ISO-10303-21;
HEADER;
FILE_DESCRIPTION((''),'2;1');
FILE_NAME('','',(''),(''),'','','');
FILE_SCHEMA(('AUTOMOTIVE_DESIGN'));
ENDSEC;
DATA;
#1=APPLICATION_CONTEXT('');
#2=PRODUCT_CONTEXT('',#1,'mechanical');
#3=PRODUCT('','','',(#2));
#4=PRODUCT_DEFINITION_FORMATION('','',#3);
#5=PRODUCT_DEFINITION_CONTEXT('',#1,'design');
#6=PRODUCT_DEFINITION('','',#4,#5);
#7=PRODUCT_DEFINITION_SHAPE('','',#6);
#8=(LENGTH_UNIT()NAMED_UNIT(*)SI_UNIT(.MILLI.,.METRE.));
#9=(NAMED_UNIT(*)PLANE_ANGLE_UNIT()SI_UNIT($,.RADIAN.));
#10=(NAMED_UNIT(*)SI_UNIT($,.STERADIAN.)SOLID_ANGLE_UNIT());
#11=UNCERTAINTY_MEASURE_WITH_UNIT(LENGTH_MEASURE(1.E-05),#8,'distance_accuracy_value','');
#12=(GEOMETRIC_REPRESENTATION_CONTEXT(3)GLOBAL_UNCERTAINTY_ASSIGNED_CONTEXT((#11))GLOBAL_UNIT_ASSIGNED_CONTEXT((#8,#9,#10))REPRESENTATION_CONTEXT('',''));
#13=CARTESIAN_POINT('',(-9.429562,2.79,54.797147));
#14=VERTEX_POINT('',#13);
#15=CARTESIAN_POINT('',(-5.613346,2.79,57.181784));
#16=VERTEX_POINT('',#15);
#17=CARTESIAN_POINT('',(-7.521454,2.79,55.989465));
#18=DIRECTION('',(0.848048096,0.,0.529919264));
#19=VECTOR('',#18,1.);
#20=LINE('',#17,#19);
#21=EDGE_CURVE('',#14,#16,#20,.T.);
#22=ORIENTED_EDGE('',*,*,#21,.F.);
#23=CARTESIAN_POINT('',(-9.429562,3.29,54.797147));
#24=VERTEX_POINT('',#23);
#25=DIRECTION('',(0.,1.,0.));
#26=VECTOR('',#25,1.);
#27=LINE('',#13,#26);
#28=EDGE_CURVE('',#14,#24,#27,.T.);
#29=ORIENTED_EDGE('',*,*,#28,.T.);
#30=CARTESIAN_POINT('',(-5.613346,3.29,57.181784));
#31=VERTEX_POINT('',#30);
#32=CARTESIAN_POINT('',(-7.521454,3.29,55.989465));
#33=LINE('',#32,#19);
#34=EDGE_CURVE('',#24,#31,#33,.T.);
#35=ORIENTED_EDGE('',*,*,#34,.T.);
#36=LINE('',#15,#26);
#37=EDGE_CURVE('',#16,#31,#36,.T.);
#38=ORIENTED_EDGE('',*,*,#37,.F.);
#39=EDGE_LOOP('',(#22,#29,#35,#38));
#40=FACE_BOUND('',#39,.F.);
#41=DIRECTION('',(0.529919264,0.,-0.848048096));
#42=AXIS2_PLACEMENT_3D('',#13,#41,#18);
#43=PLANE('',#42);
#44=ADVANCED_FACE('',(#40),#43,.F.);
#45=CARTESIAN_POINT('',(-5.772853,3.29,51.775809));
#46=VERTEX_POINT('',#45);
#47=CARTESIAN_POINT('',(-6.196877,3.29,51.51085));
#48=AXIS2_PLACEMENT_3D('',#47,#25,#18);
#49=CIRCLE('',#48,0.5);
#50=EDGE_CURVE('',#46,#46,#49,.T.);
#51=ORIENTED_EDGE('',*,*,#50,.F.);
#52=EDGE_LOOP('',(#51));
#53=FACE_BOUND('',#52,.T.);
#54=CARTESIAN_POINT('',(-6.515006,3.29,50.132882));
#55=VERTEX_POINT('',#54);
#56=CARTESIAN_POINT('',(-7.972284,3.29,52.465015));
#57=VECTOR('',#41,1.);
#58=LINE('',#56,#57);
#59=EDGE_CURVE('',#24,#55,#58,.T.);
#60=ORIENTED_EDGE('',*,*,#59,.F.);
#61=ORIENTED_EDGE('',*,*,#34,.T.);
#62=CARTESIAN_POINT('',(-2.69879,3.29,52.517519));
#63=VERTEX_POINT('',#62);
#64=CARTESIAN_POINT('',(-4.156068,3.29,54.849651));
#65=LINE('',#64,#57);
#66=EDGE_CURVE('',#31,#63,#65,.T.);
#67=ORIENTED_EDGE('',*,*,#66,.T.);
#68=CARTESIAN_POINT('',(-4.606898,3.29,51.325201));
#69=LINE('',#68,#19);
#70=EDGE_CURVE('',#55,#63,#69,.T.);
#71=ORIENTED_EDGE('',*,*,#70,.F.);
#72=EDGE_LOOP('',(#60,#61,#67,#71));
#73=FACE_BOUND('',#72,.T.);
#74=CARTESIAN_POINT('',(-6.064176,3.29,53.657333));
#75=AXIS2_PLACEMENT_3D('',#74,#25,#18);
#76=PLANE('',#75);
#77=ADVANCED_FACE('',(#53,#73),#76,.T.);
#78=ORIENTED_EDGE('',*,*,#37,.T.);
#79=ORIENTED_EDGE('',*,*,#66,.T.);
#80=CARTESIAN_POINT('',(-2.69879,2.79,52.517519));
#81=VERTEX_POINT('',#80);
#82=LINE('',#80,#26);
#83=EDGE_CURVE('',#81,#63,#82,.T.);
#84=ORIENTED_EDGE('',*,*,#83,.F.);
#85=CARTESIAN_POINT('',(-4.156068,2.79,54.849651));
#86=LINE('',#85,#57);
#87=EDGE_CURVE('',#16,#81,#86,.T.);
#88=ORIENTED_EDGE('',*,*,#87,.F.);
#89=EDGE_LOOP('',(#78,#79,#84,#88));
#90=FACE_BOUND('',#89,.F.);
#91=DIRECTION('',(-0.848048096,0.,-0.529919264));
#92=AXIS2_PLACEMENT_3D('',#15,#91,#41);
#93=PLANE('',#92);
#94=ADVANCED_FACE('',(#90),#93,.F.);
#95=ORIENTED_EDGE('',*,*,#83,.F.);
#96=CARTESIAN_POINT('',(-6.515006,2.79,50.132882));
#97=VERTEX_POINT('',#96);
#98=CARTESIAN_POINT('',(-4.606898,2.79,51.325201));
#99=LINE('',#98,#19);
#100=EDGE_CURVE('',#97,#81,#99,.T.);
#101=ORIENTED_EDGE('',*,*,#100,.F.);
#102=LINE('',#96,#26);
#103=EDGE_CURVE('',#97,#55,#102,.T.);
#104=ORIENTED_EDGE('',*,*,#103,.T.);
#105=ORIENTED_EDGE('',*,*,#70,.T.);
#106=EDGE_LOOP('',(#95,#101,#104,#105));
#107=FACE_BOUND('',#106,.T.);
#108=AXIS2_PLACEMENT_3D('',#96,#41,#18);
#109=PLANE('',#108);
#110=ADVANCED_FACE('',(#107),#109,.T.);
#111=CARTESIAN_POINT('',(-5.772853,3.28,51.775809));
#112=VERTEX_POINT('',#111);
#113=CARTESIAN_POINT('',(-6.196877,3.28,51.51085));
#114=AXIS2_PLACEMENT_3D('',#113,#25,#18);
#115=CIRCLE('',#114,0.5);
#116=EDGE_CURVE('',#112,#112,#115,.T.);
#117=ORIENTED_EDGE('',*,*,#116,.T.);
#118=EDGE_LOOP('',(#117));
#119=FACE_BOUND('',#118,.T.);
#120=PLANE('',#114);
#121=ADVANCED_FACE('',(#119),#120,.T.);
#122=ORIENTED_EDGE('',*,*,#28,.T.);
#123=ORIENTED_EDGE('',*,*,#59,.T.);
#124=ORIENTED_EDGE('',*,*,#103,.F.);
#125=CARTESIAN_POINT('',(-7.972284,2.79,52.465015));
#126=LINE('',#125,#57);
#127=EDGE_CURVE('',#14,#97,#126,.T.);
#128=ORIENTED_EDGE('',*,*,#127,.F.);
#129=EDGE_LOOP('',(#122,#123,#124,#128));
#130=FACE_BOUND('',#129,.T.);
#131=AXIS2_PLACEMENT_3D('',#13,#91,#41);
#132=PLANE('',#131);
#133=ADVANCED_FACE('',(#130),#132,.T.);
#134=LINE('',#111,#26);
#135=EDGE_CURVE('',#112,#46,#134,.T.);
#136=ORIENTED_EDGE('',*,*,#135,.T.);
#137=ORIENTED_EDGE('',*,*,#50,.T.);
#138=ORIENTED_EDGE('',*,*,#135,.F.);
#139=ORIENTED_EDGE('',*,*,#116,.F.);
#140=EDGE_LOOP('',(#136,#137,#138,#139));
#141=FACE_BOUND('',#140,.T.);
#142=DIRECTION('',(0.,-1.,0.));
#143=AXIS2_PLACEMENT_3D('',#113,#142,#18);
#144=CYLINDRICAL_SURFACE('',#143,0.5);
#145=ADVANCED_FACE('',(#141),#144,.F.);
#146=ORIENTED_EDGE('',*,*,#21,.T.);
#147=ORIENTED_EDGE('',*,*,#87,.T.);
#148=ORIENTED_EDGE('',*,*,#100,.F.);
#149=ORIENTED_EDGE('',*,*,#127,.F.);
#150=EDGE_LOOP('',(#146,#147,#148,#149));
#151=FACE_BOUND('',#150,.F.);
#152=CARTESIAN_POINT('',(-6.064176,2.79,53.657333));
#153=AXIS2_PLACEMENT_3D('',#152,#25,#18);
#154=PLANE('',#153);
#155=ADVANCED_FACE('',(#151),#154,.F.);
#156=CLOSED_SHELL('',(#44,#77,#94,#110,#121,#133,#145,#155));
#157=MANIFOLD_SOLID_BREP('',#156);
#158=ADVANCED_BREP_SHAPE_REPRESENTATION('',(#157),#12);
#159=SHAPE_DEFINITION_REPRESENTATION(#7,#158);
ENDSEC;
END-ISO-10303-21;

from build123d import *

# Parameters (mm, degrees)
CYLINDER063_R      = 0.5
CYLINDER063_DEPTH  = 0.01
BOX142_W           = 4.5
BOX142_H           = 5.5
BOX142_DEPTH       = 0.5
CUT064_ROLL_ANGLE  = -90
CUT064_PITCH_ANGLE = -32


with BuildPart() as cylinder063:
    # Cylinder063 → Cylinder063 (new body)
    with BuildSketch(Plane(origin=(1, 4.5, 0.49), x_dir=(1, 0, 0), z_dir=(0, 0, 1))):
        Circle(CYLINDER063_R)
    extrude(amount=CYLINDER063_DEPTH)


with BuildPart() as small_linbo3_plate066:
    # Box142 → Box142 (new body)
    with BuildSketch(Plane.XY):
        with Locations((2.25, 2.75)):
            Rectangle(BOX142_W, BOX142_H)
    extrude(amount=BOX142_DEPTH)

    # Cut064: cut Cylinder063
    add(cylinder063.part, mode=Mode.SUBTRACT)


with BuildPart() as small_linbo3_plate066_1:
    # Cut064 roll: moved
    add(small_linbo3_plate066.part.rotate(Axis((0, 0, 0), (1, 0, 0)), CUT064_ROLL_ANGLE))


with BuildPart() as small_linbo3_plate066_2:
    # Cut064 pitch: moved
    add(small_linbo3_plate066_1.part.rotate(Axis((0, 0, 0), (0, 1, 0)), CUT064_PITCH_ANGLE))


with BuildPart() as small_linbo3_plate066_3:
    # Cut064 placement: moved
    add(small_linbo3_plate066_2.part.moved(Location((-9.429562, 2.79, 54.797147))))


solid = small_linbo3_plate066_3.part
